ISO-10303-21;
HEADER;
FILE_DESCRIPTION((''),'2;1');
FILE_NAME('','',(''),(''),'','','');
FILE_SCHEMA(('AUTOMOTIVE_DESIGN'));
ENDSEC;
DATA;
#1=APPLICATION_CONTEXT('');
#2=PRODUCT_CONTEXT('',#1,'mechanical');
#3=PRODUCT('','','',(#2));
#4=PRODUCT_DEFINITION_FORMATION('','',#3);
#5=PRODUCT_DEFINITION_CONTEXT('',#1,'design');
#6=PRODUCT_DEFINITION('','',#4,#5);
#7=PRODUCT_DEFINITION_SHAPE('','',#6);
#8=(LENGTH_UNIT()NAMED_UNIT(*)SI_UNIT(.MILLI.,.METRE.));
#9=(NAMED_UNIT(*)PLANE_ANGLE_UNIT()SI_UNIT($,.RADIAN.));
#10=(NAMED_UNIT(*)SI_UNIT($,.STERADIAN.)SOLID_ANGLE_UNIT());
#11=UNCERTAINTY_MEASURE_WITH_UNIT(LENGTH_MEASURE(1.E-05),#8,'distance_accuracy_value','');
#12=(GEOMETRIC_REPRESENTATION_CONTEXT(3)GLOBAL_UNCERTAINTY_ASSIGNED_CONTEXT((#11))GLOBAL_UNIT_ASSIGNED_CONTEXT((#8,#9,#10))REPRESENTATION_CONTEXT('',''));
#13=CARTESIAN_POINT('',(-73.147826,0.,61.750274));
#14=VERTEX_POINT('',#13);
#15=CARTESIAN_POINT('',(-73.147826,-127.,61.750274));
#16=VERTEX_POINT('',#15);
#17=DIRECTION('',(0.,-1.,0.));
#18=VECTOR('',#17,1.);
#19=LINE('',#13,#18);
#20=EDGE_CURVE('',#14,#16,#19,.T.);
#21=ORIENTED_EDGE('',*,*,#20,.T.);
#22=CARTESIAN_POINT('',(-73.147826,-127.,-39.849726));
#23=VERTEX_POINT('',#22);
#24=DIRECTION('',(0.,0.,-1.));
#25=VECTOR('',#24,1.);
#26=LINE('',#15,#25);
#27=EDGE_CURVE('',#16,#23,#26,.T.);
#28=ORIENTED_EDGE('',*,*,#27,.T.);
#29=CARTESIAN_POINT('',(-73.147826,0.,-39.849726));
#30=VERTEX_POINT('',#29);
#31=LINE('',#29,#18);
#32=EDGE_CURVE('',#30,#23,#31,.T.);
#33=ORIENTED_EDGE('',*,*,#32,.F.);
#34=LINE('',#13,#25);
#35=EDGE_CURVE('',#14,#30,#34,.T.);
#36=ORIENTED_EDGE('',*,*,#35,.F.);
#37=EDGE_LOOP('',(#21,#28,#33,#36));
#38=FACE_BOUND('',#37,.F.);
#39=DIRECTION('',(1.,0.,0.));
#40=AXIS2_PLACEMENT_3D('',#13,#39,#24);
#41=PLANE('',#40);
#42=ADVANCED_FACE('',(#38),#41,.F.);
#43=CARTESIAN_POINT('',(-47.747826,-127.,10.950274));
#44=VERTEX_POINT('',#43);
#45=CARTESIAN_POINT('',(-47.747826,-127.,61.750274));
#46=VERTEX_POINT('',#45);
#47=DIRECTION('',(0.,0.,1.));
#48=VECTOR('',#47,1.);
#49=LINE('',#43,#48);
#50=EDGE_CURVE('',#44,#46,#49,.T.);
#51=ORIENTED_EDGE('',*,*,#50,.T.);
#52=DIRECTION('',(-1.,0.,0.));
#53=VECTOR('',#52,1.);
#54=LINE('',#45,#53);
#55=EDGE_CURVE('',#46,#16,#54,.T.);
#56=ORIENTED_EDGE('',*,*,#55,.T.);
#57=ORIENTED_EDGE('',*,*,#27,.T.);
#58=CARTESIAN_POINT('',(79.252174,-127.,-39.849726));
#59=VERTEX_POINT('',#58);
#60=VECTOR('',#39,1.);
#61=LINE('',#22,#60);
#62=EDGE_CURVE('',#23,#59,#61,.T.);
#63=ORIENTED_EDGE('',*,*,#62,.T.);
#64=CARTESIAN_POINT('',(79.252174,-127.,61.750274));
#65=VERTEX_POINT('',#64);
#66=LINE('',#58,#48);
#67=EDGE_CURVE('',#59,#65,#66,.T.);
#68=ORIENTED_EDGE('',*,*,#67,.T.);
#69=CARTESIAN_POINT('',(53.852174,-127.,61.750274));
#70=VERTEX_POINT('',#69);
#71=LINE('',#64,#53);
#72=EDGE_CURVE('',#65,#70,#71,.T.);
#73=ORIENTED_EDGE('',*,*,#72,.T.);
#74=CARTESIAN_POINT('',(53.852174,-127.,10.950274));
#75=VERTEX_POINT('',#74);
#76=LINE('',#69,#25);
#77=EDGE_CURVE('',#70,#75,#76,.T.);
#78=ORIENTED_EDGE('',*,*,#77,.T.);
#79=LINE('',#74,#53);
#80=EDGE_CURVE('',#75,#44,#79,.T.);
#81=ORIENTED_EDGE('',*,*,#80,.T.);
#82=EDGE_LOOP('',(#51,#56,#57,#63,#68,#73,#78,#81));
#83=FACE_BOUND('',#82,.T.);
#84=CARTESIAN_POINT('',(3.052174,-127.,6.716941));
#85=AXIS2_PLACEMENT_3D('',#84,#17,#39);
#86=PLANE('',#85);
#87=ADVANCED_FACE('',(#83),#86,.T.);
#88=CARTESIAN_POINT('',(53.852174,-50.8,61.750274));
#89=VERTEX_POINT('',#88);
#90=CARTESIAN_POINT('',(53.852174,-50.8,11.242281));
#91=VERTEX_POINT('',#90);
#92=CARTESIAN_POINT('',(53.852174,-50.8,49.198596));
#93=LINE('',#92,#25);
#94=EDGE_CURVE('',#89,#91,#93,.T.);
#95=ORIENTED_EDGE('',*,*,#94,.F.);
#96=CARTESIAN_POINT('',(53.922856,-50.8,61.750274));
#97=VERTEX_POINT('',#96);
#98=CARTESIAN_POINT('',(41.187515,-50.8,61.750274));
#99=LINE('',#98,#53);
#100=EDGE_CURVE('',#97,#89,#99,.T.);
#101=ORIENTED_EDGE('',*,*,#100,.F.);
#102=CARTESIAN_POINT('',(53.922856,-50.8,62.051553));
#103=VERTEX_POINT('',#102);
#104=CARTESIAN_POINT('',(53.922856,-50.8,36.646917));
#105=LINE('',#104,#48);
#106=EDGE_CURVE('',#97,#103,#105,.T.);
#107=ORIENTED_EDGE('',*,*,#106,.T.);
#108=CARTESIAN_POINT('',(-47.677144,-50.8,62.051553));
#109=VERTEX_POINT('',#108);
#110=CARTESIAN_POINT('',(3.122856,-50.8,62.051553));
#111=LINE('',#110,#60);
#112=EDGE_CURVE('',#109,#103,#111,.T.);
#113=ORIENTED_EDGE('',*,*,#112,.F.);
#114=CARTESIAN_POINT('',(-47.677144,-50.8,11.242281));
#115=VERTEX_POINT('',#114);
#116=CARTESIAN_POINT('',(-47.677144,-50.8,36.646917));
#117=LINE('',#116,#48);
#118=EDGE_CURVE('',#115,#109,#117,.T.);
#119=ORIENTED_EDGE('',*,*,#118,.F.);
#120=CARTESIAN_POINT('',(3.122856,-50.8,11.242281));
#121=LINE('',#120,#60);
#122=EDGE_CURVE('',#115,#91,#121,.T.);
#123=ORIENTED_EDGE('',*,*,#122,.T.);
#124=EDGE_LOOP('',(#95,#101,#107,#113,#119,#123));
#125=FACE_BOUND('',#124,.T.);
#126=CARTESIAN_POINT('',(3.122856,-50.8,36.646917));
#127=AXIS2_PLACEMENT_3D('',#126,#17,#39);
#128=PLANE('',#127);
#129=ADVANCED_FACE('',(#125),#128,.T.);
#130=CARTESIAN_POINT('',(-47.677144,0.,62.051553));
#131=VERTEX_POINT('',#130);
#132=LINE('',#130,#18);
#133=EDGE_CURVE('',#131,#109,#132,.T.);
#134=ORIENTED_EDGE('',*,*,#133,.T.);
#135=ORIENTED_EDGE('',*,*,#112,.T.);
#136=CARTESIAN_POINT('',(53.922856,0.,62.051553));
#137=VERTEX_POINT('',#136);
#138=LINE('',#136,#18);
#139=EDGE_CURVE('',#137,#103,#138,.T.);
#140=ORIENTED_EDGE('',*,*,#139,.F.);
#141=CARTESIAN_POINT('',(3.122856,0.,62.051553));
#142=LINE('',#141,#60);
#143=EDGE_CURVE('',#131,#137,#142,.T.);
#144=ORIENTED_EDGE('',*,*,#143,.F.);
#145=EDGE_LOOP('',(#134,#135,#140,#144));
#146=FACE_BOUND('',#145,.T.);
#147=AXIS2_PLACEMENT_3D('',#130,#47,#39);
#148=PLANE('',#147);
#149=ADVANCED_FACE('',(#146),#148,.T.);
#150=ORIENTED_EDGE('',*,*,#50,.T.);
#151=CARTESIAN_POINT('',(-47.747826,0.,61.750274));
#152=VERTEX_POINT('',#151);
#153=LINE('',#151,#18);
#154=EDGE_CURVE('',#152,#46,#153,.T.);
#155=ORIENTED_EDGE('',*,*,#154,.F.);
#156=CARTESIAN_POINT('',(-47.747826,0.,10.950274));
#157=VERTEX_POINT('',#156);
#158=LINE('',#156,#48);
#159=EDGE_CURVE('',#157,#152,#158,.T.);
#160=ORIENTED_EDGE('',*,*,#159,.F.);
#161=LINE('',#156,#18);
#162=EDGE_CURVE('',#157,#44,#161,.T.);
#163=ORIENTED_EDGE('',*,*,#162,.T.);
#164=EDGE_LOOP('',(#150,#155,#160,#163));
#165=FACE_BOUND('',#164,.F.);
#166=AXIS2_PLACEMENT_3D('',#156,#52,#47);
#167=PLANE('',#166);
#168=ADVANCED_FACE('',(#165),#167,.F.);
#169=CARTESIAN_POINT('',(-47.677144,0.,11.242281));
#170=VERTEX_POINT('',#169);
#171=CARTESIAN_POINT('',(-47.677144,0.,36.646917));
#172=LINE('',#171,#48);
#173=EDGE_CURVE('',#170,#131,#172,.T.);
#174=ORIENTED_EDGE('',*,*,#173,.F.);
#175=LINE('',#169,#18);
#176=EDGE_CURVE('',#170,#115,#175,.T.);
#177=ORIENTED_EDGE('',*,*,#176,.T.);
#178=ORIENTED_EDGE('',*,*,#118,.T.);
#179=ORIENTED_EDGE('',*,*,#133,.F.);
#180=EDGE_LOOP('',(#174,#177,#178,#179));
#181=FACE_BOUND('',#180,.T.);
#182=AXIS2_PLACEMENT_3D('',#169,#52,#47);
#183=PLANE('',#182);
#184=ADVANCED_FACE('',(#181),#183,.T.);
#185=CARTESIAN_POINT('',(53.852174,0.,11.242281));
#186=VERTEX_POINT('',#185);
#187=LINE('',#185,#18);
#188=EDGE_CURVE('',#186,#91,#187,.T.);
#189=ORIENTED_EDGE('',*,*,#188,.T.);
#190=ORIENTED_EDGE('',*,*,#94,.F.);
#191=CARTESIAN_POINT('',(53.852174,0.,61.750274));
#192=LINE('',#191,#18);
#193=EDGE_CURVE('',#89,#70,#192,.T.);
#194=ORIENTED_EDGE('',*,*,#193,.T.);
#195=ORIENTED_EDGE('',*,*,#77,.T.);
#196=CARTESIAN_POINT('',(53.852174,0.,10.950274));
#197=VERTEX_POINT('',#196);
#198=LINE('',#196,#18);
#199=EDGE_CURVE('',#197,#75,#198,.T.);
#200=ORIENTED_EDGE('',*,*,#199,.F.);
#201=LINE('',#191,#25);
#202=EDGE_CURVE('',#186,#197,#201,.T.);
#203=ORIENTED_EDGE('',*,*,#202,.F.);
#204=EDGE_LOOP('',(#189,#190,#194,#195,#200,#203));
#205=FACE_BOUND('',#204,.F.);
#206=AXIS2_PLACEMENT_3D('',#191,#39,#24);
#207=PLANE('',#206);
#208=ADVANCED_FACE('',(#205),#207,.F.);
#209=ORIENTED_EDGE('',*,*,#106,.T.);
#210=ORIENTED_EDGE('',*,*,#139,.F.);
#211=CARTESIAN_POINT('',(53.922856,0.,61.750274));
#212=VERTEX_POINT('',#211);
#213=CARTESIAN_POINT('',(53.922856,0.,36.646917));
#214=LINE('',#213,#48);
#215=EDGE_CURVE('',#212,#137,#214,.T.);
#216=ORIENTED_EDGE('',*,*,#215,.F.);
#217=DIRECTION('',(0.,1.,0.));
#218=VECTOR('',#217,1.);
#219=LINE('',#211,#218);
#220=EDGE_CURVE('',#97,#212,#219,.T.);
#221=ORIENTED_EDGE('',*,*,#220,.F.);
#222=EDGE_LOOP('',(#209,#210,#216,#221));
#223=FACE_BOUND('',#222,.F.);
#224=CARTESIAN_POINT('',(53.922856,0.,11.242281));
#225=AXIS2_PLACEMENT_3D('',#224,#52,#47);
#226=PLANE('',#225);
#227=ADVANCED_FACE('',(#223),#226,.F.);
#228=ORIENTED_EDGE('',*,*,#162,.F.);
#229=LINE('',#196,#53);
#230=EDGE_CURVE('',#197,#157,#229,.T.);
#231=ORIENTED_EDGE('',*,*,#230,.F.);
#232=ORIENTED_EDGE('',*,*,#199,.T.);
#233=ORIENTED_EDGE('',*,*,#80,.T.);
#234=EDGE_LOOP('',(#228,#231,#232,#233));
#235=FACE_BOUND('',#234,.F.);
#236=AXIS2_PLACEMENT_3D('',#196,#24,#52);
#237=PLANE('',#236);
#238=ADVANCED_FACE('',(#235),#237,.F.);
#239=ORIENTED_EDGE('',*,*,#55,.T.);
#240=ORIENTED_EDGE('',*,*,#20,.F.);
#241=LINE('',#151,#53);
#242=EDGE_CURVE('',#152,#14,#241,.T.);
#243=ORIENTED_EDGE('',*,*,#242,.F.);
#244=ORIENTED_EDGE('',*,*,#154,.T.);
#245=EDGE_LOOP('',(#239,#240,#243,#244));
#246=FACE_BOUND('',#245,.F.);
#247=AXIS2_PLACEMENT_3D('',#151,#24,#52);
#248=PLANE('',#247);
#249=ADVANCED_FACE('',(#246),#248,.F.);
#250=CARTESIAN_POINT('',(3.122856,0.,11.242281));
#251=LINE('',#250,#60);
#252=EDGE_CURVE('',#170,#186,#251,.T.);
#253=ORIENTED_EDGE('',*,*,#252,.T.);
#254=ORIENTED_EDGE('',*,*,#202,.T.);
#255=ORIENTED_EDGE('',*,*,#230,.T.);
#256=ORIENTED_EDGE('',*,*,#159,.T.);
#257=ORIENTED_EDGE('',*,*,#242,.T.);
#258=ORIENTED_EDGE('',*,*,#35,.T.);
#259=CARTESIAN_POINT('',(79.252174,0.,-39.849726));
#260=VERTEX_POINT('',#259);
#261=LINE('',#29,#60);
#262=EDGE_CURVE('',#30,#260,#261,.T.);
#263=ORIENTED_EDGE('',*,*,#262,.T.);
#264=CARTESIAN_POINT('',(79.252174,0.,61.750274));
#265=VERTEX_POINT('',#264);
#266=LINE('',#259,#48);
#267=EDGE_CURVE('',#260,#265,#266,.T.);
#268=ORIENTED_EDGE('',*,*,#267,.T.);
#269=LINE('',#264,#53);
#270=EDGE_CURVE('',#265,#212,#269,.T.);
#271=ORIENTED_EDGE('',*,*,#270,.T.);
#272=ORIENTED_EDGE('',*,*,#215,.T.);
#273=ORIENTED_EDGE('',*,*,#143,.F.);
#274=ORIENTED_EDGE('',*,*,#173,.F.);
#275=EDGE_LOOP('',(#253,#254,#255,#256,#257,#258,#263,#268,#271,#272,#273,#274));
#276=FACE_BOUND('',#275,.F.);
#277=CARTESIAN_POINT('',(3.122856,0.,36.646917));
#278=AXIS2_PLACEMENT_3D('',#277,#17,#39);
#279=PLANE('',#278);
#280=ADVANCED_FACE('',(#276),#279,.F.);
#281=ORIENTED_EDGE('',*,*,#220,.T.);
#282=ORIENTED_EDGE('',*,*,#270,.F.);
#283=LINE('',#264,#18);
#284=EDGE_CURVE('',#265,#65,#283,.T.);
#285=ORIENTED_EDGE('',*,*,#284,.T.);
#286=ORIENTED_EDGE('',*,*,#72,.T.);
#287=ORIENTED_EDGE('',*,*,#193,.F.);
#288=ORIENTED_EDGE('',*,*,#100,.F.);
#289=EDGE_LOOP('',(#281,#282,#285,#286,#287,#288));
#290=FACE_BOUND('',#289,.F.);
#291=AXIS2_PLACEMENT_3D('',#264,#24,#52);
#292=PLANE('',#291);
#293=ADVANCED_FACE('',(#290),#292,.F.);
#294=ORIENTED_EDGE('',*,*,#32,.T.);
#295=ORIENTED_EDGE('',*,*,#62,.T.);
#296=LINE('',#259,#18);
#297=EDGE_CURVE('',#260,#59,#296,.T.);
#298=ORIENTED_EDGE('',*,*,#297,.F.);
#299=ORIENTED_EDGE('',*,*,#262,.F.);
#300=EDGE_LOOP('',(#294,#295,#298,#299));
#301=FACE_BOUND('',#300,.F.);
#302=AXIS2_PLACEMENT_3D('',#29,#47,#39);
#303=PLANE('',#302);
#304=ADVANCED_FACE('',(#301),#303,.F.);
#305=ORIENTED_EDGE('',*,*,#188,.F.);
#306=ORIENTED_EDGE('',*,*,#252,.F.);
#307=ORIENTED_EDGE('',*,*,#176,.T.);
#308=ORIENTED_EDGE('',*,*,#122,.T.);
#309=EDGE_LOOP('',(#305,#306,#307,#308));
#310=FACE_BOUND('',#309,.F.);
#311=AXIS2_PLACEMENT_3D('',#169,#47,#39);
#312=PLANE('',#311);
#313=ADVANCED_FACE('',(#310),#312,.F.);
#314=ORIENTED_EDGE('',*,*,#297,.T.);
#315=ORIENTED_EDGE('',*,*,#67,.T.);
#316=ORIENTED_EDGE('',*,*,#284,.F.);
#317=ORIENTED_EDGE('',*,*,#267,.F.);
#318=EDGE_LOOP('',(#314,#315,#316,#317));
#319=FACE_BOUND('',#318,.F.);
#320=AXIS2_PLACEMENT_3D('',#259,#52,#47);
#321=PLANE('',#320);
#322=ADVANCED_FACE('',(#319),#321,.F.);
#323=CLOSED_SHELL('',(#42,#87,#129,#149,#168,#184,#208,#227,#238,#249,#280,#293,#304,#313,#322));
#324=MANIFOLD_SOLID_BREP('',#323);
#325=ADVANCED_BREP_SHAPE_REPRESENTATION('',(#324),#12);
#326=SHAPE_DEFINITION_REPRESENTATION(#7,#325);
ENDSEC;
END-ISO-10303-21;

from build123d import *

# Parameters (mm, degrees)
F2_DEPTH = 127
F1_W     = 101.6
F1_H     = 50.809272
F3_DEPTH = 50.8


with BuildPart() as f2:
    # F0 (on Front) → F2 (new body)
    with BuildSketch(Plane.XZ):
        Polygon((-73.147826, 61.750274), (-73.147826, -39.849726), (79.252174, -39.849726), (79.252174, 61.750274), (53.852174, 61.750274), (53.852174, 10.950274), (-47.747826, 10.950274), (-47.747826, 61.750274), align=None)
    extrude(amount=F2_DEPTH)

    # F1 (on Front) → F3 (join)
    with BuildSketch(Plane.XZ):
        with Locations((3.122856, 36.646917)):
            Rectangle(F1_W, F1_H)
    extrude(amount=F3_DEPTH)


solid = f2.part
